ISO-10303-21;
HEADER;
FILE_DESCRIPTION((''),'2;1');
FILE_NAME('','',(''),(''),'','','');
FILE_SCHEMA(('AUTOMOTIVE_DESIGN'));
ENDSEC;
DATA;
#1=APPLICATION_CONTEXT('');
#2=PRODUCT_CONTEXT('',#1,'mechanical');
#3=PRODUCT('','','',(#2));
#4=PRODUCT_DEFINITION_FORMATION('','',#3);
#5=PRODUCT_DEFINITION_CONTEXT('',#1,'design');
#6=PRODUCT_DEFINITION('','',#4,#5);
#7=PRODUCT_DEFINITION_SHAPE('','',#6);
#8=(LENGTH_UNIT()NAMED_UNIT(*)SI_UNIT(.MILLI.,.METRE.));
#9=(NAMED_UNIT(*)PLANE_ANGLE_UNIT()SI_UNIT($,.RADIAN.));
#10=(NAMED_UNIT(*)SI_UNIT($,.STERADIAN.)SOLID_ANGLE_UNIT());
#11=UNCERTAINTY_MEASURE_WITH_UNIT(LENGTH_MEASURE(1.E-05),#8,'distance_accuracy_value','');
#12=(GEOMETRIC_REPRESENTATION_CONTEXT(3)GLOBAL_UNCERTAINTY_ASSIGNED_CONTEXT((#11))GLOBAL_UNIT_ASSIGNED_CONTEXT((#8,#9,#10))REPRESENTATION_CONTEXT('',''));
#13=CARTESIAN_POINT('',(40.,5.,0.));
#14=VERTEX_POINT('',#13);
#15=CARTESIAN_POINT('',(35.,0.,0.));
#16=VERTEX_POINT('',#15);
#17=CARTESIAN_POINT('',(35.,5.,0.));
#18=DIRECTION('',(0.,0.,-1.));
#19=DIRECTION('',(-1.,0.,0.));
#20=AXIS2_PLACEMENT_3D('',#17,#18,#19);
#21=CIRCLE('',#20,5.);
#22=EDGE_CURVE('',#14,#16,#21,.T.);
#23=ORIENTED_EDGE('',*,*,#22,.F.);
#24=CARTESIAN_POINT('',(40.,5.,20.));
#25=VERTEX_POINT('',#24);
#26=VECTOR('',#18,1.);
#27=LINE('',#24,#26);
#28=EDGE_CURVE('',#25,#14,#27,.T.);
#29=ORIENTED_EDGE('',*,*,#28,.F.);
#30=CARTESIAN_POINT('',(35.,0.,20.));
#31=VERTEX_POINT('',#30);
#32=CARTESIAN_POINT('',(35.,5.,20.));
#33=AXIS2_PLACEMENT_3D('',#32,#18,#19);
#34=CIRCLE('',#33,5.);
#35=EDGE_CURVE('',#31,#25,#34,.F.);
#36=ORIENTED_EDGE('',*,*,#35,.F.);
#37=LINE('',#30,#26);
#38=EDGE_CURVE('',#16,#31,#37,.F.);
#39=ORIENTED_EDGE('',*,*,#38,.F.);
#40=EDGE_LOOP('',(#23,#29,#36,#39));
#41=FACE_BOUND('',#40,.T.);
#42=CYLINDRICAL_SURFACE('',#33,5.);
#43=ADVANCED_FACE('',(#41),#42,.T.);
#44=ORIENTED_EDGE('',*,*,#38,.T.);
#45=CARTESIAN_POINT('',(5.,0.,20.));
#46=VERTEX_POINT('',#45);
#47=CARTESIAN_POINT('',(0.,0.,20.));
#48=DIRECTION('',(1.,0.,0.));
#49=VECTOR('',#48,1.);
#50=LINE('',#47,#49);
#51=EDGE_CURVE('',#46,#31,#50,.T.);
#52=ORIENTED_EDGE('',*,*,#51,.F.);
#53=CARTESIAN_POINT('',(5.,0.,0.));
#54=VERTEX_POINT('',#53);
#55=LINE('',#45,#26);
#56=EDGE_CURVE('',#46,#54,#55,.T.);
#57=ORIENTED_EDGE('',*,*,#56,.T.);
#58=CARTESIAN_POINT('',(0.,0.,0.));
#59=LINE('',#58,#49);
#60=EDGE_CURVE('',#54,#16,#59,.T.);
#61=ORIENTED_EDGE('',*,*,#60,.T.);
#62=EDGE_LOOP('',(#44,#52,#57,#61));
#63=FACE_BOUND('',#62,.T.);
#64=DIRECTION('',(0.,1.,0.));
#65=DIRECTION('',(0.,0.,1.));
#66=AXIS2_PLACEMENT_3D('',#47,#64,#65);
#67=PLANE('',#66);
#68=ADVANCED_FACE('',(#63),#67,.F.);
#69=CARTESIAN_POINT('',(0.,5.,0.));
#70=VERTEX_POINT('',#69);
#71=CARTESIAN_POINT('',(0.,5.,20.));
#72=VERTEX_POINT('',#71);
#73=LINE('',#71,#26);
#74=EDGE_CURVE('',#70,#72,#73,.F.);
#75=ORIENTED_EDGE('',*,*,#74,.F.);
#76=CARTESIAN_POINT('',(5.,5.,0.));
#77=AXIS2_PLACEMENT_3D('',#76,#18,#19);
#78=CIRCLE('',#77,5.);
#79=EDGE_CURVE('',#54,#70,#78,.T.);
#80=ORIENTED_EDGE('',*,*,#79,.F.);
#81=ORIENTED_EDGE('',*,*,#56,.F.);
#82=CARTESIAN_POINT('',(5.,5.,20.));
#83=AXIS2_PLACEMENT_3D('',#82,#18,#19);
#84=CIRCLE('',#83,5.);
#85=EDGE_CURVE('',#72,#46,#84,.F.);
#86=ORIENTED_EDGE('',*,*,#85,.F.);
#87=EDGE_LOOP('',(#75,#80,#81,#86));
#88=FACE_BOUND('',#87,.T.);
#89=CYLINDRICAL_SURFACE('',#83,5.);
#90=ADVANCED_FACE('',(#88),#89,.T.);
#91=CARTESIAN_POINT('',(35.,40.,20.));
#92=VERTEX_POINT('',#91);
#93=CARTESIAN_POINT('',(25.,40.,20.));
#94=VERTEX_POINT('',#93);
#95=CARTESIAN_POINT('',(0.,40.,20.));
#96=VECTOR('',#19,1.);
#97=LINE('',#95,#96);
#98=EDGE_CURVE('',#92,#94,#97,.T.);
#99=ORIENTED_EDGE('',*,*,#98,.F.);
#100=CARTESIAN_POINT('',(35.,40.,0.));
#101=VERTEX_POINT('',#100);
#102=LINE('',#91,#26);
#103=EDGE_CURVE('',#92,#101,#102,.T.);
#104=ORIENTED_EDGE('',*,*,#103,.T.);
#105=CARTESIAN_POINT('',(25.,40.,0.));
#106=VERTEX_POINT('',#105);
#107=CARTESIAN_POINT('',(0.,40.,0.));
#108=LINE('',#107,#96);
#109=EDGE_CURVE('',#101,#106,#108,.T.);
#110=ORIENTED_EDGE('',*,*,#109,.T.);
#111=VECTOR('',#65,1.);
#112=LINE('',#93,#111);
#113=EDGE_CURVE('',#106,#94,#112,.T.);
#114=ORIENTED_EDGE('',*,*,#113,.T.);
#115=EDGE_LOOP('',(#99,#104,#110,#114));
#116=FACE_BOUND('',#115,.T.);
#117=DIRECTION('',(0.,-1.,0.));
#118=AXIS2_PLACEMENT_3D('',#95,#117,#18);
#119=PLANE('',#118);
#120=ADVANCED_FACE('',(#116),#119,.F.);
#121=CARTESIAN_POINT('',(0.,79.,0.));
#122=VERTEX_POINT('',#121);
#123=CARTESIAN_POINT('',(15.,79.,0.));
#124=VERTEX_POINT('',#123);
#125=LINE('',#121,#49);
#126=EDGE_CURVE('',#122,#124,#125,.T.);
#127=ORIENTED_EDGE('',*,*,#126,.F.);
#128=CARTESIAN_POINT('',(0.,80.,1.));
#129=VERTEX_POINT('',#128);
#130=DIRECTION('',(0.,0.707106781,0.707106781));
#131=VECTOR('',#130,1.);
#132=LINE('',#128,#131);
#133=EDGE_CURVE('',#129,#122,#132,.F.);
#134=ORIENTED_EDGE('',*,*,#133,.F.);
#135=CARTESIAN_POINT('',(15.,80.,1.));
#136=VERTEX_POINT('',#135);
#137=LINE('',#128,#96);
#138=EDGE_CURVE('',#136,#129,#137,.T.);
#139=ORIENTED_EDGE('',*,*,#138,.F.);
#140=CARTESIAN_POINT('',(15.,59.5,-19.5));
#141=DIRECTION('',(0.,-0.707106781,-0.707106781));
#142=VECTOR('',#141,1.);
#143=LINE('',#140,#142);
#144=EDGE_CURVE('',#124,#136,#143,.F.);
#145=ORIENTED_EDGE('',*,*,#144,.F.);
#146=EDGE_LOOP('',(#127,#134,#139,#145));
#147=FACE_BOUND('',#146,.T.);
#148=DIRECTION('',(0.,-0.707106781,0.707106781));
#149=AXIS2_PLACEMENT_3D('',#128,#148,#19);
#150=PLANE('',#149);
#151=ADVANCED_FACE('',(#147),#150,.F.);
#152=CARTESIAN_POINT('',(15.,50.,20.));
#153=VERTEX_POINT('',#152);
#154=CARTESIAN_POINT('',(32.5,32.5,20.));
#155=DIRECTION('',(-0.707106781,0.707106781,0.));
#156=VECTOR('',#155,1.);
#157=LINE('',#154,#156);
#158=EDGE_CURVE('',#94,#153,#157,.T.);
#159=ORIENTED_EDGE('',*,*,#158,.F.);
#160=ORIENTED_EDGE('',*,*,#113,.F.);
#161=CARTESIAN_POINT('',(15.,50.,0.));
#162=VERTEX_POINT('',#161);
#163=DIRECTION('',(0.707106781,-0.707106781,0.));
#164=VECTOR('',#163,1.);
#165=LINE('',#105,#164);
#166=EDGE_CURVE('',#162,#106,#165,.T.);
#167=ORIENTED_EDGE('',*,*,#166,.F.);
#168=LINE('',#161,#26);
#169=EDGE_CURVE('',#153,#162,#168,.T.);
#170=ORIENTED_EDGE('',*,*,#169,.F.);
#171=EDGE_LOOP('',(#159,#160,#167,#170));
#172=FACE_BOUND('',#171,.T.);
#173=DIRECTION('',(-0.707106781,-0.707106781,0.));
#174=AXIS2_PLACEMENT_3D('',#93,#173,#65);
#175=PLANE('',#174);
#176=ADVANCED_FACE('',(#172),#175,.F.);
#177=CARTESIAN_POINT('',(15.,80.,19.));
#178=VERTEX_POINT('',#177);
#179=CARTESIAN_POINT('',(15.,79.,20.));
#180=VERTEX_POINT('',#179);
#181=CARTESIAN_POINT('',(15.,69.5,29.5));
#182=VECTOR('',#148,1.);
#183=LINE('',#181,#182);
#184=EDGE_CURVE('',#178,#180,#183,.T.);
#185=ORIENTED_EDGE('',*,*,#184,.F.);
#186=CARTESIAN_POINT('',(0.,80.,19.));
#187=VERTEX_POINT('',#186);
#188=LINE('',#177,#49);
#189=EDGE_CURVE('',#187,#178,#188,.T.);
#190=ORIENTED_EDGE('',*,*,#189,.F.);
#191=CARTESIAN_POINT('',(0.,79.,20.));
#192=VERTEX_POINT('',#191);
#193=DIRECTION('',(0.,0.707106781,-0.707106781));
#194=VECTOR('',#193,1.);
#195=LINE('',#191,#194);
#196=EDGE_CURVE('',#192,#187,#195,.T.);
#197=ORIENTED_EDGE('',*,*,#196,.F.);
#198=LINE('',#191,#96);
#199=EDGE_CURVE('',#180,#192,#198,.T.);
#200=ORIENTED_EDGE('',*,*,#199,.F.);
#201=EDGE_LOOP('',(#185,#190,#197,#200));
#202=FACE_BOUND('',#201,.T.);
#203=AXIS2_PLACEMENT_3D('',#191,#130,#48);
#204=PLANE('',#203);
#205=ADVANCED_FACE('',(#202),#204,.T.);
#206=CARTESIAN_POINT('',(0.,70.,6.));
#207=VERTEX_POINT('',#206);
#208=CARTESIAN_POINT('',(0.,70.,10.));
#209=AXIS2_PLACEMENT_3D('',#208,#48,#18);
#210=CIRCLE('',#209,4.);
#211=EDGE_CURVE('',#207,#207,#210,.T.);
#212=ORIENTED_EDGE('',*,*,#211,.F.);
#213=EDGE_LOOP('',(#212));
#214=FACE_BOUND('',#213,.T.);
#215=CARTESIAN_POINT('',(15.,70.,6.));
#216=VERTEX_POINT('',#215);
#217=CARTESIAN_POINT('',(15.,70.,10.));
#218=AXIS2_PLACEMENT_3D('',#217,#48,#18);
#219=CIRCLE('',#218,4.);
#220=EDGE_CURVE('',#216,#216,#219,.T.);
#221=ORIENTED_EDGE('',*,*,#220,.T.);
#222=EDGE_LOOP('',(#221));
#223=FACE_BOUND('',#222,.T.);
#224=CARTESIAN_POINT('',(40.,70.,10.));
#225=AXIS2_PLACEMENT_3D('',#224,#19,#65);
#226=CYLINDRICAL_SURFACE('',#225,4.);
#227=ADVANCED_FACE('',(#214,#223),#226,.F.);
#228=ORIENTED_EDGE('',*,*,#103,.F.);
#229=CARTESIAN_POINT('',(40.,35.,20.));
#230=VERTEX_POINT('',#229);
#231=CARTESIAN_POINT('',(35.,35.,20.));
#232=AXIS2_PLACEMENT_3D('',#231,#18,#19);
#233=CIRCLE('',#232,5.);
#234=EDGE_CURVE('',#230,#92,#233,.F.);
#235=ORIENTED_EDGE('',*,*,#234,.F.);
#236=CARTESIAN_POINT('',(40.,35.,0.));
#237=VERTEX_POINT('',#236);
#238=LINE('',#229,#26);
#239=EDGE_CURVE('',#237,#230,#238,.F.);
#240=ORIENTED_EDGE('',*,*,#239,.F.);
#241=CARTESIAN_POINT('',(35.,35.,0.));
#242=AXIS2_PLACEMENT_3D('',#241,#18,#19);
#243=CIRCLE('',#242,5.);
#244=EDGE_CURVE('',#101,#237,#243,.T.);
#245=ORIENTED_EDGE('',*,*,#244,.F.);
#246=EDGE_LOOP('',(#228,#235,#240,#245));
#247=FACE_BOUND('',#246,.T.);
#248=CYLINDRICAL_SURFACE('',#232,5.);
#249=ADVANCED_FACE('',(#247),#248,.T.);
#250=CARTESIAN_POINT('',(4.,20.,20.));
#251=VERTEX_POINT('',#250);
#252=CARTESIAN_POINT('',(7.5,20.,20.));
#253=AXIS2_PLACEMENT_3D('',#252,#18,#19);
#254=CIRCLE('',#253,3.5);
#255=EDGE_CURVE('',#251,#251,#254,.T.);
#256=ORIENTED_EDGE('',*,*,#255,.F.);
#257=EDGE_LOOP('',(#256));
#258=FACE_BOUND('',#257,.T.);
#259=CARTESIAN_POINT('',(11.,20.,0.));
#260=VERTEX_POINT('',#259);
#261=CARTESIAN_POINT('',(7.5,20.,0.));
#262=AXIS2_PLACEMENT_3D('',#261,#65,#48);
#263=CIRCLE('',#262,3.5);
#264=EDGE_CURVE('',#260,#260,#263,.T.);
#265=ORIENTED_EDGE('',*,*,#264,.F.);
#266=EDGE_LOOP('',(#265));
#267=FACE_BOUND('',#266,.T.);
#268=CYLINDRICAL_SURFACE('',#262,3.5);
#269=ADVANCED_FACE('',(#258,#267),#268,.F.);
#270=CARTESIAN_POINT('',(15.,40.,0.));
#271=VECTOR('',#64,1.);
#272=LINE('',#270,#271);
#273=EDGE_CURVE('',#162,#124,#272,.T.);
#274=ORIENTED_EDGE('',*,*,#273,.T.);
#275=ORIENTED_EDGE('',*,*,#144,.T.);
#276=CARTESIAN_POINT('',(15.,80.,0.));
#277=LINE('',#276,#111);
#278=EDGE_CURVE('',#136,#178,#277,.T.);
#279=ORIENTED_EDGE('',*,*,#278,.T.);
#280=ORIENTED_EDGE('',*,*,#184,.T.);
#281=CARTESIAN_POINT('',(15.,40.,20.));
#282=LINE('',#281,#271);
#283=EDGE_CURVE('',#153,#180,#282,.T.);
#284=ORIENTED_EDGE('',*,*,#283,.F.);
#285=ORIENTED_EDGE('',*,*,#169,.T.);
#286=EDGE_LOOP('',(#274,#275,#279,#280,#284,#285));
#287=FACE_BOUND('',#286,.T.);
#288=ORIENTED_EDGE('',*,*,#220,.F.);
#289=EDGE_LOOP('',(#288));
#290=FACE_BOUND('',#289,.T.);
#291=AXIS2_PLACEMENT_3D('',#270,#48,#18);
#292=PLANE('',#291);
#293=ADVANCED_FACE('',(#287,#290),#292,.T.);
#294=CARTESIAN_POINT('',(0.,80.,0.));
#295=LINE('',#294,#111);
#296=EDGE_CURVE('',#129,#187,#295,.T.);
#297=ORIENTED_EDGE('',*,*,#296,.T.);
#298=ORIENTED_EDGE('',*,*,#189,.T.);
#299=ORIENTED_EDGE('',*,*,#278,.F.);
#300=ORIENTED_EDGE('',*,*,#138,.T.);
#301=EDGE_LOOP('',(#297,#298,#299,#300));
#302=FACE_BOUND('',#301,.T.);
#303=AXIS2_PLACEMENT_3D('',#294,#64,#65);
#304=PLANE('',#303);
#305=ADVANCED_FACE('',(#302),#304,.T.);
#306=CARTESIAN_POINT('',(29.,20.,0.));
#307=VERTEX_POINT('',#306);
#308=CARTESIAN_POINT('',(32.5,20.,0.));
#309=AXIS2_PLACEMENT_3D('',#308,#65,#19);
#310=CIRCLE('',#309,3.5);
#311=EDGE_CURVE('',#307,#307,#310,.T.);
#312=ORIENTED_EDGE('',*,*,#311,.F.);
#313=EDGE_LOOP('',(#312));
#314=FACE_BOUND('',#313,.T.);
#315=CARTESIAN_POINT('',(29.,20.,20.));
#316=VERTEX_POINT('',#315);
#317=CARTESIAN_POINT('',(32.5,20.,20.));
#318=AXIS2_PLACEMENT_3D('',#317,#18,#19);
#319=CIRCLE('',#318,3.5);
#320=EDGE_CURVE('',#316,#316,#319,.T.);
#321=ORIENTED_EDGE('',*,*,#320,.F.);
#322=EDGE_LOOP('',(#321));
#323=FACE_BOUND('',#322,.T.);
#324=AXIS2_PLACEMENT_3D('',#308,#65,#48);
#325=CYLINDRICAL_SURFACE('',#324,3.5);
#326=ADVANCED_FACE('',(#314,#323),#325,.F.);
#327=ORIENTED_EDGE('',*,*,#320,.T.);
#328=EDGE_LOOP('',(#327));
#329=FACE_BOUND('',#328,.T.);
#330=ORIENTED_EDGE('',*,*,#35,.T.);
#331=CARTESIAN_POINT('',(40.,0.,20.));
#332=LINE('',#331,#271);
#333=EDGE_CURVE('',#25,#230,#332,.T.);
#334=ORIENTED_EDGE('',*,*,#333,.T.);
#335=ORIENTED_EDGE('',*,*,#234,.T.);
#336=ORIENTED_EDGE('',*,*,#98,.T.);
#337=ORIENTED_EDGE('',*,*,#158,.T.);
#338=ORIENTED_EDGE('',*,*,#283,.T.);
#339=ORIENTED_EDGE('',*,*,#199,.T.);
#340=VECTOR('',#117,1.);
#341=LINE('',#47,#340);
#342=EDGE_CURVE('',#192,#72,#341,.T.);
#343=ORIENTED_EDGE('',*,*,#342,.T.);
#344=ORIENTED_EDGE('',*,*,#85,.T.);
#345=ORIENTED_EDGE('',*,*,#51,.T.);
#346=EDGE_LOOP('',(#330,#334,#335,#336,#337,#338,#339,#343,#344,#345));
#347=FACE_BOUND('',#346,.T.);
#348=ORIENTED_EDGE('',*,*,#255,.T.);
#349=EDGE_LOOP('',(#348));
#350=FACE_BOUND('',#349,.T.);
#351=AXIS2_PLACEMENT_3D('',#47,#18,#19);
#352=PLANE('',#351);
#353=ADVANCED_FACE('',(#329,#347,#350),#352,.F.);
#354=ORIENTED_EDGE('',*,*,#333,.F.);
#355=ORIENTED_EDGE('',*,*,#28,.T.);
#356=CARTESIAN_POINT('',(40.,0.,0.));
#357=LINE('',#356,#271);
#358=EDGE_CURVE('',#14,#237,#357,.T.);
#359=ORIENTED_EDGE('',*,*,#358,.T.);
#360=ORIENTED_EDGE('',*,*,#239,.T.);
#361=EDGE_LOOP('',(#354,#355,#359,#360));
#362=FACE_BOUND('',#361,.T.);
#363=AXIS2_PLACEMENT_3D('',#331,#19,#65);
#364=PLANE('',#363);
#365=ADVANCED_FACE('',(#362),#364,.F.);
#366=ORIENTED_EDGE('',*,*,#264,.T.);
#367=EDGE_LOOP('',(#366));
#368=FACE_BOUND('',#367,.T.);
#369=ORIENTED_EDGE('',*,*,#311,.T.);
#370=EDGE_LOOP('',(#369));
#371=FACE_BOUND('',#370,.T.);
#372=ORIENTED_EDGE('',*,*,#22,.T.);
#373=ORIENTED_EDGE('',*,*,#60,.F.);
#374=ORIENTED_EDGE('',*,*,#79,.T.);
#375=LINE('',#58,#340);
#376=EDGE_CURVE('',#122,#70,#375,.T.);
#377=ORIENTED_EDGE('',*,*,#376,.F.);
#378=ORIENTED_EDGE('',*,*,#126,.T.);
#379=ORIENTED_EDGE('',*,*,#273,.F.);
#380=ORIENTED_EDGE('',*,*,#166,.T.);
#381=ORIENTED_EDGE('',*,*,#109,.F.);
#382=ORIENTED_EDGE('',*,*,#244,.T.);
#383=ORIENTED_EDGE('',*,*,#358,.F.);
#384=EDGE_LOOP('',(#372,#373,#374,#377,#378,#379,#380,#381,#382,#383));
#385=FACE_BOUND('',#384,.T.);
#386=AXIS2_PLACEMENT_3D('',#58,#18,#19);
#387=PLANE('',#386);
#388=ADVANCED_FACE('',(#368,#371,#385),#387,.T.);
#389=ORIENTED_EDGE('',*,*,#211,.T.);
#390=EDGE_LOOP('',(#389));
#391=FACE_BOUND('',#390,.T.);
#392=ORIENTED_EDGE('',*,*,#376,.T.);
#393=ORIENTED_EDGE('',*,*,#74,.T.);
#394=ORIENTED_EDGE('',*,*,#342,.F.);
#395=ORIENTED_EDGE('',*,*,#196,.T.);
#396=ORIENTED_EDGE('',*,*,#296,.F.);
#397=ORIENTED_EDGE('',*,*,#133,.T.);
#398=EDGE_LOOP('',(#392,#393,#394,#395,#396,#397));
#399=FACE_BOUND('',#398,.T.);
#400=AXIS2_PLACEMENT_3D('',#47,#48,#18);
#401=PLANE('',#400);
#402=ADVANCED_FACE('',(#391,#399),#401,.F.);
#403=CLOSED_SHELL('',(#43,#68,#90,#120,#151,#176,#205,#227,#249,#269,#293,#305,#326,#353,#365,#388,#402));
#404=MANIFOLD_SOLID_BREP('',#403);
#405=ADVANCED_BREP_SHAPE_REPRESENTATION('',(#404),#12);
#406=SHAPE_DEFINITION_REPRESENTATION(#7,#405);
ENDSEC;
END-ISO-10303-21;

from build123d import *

# Parameters (mm, degrees)
ESQUISSE1_W                  = 40
ESQUISSE1_H                  = 40
BOSS_EXTRU_1_DEPTH           = 20
ESQUISSE2_W                  = 15
ESQUISSE2_H                  = 40
BOSS_EXTRU_2_DEPTH           = 20
ENL_V_MAT_EXTRU_1_DEPTH      = 92.651513899
ENL_V_MAT_EXTRU_1_DEPTH_BACK = 92.651513899
ESQUISSE3_R                  = 3.5
ENL_V_MAT_EXTRU_2_DEPTH      = 92.651513899
ENL_V_MAT_EXTRU_2_DEPTH_BACK = 92.651513899
ESQUISSE4_R                  = 4
CONG_1_R                     = 5
CHANFREIN1_SIZE              = 10
CHANFREIN2_SIZE              = 1


with BuildPart() as part:
    # Esquisse1 → Boss.-Extru.1 (new body)
    with BuildSketch(Plane.XY):
        with Locations((20, 20)):
            Rectangle(ESQUISSE1_W, ESQUISSE1_H)
    extrude(amount=BOSS_EXTRU_1_DEPTH)

    # Esquisse2 → Boss.-Extru.2 (add)
    with BuildSketch(Plane.XY.offset(20)):
        with Locations((7.5, 60)):
            Rectangle(ESQUISSE2_W, ESQUISSE2_H)
    extrude(amount=-BOSS_EXTRU_2_DEPTH)

    # Esquisse3 → Enlèv. mat.-Extru.1 (cut, two sides: drawn at the far end of the back side and taken through both)
    with BuildSketch(Plane.XY.offset(20).offset(-ENL_V_MAT_EXTRU_1_DEPTH_BACK)):
        with Locations((7.5, 20)):
            Circle(ESQUISSE3_R)
        with Locations(Location((32.5, 20, 0), (0, 0, 180))):
            Circle(ESQUISSE3_R)
    extrude(amount=ENL_V_MAT_EXTRU_1_DEPTH + ENL_V_MAT_EXTRU_1_DEPTH_BACK, mode=Mode.SUBTRACT)

    # Esquisse4 → Enlèv. mat.-Extru.2 (cut, two sides: drawn at the far end of the back side and taken through both)
    with BuildSketch(Plane.ZY.offset(-ENL_V_MAT_EXTRU_2_DEPTH_BACK)):
        with Locations(Location((10, 70, 0), (0, 0, 180))):
            Circle(ESQUISSE4_R)
    extrude(amount=ENL_V_MAT_EXTRU_2_DEPTH + ENL_V_MAT_EXTRU_2_DEPTH_BACK, mode=Mode.SUBTRACT)

    # Congé1
    cong_1_edges = [part.edges().sort_by_distance(p)[0] for p in [
        (40, 40, 10),
        (40, 0, 10),
        (0, 0, 10),
    ]]
    fillet(cong_1_edges, radius=CONG_1_R)

    # Chanfrein1
    chanfrein1_edges = [part.edges().sort_by_distance(p)[0] for p in [
        (15, 40, 10),
    ]]
    chamfer(chanfrein1_edges, length=CHANFREIN1_SIZE)

    # Chanfrein2
    chanfrein2_edges = [part.edges().sort_by_distance(p)[0] for p in [
        (7.5, 80, 0),
        (7.5, 80, 20),
    ]]
    chamfer(chanfrein2_edges, length=CHANFREIN2_SIZE)


solid = part.part
